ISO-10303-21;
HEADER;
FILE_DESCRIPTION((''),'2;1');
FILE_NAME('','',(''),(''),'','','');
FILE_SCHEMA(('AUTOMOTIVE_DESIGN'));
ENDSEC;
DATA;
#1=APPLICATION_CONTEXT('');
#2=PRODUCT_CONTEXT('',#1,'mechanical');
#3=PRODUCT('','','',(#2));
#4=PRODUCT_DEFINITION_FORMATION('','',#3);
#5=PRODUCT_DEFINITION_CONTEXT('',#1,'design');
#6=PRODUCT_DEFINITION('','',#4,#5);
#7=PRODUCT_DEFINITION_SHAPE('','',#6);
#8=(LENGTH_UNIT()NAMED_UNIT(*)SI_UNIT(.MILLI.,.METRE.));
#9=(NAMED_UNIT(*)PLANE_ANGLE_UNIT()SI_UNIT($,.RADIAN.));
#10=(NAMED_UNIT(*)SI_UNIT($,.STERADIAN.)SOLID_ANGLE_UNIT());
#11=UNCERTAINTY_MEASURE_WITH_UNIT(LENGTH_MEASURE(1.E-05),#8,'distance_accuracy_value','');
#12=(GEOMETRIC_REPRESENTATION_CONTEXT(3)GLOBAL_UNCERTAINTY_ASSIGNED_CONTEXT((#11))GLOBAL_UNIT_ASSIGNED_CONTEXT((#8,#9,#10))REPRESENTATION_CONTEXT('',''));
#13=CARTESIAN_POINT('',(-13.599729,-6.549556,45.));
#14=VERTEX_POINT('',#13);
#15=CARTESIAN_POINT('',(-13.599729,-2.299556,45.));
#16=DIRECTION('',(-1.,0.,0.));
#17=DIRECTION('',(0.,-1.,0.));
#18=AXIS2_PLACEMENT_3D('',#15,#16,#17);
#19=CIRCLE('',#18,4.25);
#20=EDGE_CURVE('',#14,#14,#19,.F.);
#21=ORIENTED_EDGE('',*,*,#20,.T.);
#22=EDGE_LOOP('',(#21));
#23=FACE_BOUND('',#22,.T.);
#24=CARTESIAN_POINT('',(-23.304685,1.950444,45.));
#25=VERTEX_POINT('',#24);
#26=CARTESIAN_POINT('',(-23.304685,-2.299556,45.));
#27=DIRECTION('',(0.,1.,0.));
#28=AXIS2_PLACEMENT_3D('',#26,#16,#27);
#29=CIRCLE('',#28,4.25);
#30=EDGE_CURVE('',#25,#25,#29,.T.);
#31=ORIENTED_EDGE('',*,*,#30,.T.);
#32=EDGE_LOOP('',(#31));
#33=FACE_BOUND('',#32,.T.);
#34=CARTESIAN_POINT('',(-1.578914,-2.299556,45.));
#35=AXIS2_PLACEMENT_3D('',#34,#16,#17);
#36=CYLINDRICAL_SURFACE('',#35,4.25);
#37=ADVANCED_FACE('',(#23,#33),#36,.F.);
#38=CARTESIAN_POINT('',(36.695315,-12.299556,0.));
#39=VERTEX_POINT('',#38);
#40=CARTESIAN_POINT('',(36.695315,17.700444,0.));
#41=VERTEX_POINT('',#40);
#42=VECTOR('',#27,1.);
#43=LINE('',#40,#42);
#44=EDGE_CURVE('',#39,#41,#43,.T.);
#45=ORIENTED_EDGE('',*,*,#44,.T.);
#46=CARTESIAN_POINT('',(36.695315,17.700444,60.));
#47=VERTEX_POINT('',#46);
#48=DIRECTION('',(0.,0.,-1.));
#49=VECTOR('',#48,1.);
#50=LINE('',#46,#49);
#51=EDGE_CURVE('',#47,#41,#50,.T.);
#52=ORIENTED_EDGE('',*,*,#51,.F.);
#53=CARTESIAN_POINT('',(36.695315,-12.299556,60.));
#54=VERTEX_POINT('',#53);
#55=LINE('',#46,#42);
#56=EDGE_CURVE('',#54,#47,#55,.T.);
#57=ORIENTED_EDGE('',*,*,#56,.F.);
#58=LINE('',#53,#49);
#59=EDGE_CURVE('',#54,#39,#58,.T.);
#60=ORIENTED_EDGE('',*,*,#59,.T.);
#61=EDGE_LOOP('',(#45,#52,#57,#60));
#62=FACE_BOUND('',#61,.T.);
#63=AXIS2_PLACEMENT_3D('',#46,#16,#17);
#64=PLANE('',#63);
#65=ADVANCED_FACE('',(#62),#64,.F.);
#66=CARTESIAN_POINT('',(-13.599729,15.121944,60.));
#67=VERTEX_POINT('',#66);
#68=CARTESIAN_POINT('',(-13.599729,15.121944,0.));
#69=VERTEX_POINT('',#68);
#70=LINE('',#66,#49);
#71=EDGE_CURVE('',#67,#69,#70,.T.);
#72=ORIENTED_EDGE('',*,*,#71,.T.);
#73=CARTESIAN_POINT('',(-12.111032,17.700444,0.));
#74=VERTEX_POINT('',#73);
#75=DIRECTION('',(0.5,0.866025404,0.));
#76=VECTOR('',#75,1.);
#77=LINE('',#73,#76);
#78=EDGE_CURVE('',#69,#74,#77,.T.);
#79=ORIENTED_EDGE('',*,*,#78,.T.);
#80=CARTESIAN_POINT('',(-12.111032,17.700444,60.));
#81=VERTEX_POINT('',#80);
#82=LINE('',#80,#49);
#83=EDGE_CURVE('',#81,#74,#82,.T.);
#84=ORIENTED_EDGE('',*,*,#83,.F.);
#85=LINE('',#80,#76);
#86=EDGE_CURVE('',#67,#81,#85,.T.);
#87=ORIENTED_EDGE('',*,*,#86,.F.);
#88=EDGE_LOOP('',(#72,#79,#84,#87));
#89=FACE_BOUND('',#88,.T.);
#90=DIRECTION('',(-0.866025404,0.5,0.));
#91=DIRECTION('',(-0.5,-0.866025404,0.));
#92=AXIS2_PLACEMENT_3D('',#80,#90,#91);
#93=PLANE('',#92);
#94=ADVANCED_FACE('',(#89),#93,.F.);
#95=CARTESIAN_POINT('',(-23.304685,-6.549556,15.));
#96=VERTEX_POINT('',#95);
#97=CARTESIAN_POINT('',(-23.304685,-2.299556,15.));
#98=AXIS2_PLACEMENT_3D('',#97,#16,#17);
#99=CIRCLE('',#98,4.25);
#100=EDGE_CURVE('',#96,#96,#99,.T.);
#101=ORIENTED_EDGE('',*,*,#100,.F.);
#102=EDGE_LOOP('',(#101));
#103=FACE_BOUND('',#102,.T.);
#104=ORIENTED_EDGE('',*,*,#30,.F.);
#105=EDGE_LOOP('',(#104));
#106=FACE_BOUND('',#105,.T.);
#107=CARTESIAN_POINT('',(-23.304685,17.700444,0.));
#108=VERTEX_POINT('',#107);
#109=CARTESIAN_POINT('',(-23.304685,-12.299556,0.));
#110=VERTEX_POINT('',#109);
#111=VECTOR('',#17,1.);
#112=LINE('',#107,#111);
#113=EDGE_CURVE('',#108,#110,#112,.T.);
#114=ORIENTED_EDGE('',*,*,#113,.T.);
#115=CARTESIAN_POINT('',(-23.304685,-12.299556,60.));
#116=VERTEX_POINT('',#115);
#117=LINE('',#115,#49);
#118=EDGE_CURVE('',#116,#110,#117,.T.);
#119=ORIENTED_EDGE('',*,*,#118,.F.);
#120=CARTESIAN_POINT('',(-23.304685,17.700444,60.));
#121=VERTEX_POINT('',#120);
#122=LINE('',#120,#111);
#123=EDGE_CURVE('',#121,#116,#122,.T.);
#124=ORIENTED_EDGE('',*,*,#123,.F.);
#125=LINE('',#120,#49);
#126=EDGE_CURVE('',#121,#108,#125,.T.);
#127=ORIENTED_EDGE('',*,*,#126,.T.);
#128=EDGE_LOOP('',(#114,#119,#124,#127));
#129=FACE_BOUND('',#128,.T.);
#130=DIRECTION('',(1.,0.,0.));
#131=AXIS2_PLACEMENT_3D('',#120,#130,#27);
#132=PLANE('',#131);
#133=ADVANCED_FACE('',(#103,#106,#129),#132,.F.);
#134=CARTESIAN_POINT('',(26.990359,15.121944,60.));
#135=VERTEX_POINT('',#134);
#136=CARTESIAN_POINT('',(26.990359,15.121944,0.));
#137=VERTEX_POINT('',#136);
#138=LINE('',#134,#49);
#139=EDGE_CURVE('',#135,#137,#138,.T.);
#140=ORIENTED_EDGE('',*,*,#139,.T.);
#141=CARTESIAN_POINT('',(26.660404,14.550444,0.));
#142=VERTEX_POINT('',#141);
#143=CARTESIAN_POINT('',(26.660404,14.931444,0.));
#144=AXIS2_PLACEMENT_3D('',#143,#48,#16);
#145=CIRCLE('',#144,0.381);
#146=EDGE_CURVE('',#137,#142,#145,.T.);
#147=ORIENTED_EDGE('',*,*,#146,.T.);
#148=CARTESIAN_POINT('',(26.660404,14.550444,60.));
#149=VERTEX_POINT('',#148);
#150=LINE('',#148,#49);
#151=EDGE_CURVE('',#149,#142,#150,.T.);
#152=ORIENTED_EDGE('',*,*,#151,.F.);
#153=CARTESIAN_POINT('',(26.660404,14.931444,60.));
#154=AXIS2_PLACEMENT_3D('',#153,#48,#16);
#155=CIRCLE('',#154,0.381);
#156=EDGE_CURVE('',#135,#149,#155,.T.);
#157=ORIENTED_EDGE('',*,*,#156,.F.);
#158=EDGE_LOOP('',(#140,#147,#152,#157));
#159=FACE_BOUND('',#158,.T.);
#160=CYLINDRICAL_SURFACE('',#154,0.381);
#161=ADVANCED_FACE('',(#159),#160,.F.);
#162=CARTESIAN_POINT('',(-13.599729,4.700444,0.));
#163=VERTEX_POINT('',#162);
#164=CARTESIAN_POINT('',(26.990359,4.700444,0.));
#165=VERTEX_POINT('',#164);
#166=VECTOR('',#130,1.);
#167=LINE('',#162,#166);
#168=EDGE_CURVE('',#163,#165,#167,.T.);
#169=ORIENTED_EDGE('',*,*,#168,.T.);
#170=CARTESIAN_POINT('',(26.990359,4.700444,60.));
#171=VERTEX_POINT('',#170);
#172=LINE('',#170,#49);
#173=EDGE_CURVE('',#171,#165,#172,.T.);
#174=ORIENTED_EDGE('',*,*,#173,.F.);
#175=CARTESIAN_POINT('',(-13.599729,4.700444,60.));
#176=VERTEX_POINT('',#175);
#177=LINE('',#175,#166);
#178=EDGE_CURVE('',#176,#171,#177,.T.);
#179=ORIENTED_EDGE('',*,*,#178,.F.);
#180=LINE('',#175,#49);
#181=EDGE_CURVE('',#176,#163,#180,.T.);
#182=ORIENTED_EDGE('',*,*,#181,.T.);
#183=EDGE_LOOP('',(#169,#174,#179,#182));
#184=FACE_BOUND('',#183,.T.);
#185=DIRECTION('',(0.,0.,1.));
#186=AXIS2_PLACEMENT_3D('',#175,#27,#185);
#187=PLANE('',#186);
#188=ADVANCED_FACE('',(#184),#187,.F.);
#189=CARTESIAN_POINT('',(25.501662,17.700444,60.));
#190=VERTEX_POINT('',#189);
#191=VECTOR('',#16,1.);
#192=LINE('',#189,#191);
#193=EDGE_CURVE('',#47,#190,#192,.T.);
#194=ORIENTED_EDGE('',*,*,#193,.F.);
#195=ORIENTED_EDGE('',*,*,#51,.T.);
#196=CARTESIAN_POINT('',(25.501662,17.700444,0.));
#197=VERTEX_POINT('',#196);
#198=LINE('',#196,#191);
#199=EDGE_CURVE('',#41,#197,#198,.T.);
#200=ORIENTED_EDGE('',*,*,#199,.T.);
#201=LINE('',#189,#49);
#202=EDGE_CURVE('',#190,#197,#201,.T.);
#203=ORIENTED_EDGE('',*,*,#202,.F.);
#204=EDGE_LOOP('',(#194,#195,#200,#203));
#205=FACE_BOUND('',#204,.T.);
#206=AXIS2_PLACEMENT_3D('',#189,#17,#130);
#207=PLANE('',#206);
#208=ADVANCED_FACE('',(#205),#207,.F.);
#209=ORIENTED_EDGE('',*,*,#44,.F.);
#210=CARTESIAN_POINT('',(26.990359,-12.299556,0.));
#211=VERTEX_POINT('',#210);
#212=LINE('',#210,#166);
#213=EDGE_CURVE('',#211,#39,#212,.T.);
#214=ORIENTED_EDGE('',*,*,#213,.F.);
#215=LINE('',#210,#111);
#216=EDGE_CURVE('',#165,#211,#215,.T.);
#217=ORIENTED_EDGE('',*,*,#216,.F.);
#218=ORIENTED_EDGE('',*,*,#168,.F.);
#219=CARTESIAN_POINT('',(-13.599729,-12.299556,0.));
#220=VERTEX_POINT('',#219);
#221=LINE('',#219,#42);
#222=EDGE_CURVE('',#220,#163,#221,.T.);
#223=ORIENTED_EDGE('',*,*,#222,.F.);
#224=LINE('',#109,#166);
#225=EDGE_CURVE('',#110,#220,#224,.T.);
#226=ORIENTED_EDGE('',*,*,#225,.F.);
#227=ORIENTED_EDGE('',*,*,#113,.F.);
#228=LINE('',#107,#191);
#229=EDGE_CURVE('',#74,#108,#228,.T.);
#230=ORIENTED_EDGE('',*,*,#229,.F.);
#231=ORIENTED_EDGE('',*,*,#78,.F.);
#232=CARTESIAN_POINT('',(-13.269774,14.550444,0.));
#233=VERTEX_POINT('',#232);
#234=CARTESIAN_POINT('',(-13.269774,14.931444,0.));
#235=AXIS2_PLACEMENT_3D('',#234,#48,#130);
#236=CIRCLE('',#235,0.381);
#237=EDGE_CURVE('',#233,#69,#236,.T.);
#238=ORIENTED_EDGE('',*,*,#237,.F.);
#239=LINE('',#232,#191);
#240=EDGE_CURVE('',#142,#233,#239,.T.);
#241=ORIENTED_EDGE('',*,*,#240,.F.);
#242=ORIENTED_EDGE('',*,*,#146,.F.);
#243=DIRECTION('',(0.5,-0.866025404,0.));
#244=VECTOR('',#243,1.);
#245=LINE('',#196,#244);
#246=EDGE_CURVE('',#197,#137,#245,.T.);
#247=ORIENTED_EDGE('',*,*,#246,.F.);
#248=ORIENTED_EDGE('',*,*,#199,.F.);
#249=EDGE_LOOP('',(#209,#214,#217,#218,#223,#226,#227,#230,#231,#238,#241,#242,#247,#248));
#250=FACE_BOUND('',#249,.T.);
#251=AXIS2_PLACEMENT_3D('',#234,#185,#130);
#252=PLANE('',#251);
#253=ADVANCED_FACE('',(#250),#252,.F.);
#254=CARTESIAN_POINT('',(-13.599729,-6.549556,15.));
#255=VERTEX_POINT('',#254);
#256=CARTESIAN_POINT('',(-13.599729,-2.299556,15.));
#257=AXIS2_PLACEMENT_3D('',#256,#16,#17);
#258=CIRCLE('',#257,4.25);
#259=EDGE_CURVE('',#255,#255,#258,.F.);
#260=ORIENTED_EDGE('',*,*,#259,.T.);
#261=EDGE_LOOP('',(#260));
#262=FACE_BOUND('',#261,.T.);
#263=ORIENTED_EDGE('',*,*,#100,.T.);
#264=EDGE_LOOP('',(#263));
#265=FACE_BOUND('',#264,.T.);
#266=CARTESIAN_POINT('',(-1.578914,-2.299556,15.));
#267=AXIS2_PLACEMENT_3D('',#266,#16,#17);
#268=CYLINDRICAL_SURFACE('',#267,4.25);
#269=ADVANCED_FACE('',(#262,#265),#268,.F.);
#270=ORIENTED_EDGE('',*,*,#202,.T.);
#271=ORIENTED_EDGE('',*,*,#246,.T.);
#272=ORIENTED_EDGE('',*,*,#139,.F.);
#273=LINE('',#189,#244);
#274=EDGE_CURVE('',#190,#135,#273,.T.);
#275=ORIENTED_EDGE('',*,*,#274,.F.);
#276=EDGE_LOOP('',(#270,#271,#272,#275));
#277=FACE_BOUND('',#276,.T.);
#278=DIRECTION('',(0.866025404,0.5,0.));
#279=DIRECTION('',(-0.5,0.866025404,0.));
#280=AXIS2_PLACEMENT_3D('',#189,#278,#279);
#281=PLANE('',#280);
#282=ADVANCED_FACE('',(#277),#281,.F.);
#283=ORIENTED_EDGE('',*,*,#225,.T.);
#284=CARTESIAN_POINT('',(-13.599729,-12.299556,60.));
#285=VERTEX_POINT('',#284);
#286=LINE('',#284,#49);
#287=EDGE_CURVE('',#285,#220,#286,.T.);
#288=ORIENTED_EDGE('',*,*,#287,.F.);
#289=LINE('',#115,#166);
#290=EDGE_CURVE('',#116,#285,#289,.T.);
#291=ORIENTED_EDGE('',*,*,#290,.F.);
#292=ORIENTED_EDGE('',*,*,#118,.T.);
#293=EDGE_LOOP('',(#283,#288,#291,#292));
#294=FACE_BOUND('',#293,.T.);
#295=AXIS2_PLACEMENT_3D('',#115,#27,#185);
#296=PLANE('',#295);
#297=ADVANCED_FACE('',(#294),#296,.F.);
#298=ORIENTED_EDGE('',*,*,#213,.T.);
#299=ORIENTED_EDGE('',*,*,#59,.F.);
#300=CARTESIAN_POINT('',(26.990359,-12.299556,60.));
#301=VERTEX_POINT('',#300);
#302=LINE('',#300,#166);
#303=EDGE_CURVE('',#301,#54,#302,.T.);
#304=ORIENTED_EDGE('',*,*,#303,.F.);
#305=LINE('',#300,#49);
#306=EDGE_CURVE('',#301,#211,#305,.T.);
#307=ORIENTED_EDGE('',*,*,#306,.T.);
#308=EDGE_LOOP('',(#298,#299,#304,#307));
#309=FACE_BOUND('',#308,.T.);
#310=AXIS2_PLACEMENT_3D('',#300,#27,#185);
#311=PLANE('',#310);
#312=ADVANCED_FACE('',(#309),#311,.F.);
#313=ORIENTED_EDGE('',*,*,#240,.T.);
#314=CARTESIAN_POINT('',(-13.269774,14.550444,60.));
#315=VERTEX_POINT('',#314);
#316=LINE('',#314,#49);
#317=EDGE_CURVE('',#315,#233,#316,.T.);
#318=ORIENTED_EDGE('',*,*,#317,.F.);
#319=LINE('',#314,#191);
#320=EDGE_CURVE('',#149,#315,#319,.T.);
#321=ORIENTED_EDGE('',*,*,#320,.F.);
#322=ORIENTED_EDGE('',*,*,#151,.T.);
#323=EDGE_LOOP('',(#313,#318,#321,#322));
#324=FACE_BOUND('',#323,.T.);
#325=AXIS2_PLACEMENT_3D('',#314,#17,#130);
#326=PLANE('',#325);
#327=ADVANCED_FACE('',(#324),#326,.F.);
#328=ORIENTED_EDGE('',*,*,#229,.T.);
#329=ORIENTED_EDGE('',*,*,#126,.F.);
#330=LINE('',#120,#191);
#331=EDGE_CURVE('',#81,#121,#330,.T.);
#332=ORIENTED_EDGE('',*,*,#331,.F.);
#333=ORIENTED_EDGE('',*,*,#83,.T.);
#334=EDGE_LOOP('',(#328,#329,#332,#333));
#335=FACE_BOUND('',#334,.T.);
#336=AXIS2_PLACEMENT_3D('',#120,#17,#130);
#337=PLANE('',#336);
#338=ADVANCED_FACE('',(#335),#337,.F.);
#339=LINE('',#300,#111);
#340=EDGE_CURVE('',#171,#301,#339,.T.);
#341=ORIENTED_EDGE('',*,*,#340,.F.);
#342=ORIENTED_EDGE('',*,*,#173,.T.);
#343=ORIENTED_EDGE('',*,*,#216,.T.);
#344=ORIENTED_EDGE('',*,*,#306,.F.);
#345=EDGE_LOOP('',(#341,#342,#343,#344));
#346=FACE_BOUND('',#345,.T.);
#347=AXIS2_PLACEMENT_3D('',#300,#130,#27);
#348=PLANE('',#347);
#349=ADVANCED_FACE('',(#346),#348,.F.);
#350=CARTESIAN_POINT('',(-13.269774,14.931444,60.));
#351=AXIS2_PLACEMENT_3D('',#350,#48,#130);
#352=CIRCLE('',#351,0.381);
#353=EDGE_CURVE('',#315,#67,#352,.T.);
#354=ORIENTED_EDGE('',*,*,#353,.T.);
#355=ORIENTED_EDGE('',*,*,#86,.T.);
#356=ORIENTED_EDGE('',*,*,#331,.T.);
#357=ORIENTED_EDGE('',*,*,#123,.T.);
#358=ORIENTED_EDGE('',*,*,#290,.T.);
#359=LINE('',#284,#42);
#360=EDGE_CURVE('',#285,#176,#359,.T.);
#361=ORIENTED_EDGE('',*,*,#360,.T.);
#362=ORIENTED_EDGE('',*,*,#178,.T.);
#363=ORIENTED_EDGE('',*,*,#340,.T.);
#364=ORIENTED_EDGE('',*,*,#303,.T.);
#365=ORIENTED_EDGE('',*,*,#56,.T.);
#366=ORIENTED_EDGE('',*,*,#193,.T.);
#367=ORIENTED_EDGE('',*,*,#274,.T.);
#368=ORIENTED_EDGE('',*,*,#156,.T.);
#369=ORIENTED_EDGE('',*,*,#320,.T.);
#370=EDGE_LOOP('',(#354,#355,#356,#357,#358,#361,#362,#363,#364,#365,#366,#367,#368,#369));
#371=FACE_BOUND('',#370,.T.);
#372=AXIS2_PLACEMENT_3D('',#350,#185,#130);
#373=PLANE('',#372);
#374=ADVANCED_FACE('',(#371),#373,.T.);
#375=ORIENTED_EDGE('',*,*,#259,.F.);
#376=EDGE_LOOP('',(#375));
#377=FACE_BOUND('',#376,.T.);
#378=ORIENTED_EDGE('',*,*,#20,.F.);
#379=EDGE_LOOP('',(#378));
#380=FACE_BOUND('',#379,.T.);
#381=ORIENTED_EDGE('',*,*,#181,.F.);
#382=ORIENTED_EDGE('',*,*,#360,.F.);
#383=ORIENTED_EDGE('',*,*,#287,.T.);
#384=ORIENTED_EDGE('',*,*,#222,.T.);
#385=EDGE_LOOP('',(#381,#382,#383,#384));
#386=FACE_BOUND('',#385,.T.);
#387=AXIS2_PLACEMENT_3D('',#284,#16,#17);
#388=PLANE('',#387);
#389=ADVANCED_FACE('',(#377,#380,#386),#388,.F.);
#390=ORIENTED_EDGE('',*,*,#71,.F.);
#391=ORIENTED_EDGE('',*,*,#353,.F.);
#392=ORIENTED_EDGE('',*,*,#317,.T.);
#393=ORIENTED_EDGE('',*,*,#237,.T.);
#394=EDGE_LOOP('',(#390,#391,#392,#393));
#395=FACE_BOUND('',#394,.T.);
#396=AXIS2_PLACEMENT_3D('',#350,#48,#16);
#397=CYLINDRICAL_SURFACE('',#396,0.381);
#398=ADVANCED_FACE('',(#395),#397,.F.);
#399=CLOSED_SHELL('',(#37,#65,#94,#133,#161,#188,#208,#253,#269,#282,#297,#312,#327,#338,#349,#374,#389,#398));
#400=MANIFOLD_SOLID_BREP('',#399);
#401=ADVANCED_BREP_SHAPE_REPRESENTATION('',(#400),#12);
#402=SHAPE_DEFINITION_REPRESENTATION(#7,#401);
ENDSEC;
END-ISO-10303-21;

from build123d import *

# Parameters (mm, degrees)
BOSS_EXTRUDE1_DEPTH = 60
SKETCH2_R           = 4.25
CUT_EXTRUDE1_DEPTH  = 9.704955679


with BuildPart() as part:
    # Sketch1 → Boss-Extrude1 (new body)
    with BuildSketch(Plane.XY):
        with BuildLine():
            Line((-23.304685018, 17.700444455), (-23.304685018, -12.299555545))
            Line((-23.304685018, -12.299555545), (-13.599729339, -12.299555545))
            Line((-13.599729339, -12.299555545), (-13.599729339, 4.700444455))
            Line((-13.599729339, 4.700444455), (26.990359303, 4.700444455))
            Line((26.990359303, 4.700444455), (26.990359303, -12.299555545))
            Line((26.990359303, -12.299555545), (36.695314982, -12.299555545))
            Line((36.695314982, -12.299555545), (36.695314982, 17.700444455))
            Line((36.695314982, 17.700444455), (25.501661634, 17.700444455))
            Line((25.501661634, 17.700444455), (26.990359303, 15.121944455))
            ThreePointArc((26.990359303, 15.121944455), (26.990359303, 14.740944455), (26.660403624, 14.550444455))
            Line((26.660403624, 14.550444455), (-13.26977366, 14.550444455))
            ThreePointArc((-13.26977366, 14.550444455), (-13.599729339, 14.740944455), (-13.599729339, 15.121944455))
            Line((-13.599729339, 15.121944455), (-12.11103167, 17.700444455))
            Line((-12.11103167, 17.700444455), (-23.304685018, 17.700444455))
        make_face()
    extrude(amount=BOSS_EXTRUDE1_DEPTH)

    # Sketch2 → Cut-Extrude1 (cut)
    with BuildSketch(Plane.ZY.offset(23.304685018)):
        with Locations(Location((15, -2.299555545, 0), (0, 0, 270))):
            Circle(SKETCH2_R)
        with Locations(Location((45, -2.299555545, 0), (0, 0, 270))):
            Circle(SKETCH2_R)
    extrude(amount=-CUT_EXTRUDE1_DEPTH, mode=Mode.SUBTRACT)


solid = part.part
